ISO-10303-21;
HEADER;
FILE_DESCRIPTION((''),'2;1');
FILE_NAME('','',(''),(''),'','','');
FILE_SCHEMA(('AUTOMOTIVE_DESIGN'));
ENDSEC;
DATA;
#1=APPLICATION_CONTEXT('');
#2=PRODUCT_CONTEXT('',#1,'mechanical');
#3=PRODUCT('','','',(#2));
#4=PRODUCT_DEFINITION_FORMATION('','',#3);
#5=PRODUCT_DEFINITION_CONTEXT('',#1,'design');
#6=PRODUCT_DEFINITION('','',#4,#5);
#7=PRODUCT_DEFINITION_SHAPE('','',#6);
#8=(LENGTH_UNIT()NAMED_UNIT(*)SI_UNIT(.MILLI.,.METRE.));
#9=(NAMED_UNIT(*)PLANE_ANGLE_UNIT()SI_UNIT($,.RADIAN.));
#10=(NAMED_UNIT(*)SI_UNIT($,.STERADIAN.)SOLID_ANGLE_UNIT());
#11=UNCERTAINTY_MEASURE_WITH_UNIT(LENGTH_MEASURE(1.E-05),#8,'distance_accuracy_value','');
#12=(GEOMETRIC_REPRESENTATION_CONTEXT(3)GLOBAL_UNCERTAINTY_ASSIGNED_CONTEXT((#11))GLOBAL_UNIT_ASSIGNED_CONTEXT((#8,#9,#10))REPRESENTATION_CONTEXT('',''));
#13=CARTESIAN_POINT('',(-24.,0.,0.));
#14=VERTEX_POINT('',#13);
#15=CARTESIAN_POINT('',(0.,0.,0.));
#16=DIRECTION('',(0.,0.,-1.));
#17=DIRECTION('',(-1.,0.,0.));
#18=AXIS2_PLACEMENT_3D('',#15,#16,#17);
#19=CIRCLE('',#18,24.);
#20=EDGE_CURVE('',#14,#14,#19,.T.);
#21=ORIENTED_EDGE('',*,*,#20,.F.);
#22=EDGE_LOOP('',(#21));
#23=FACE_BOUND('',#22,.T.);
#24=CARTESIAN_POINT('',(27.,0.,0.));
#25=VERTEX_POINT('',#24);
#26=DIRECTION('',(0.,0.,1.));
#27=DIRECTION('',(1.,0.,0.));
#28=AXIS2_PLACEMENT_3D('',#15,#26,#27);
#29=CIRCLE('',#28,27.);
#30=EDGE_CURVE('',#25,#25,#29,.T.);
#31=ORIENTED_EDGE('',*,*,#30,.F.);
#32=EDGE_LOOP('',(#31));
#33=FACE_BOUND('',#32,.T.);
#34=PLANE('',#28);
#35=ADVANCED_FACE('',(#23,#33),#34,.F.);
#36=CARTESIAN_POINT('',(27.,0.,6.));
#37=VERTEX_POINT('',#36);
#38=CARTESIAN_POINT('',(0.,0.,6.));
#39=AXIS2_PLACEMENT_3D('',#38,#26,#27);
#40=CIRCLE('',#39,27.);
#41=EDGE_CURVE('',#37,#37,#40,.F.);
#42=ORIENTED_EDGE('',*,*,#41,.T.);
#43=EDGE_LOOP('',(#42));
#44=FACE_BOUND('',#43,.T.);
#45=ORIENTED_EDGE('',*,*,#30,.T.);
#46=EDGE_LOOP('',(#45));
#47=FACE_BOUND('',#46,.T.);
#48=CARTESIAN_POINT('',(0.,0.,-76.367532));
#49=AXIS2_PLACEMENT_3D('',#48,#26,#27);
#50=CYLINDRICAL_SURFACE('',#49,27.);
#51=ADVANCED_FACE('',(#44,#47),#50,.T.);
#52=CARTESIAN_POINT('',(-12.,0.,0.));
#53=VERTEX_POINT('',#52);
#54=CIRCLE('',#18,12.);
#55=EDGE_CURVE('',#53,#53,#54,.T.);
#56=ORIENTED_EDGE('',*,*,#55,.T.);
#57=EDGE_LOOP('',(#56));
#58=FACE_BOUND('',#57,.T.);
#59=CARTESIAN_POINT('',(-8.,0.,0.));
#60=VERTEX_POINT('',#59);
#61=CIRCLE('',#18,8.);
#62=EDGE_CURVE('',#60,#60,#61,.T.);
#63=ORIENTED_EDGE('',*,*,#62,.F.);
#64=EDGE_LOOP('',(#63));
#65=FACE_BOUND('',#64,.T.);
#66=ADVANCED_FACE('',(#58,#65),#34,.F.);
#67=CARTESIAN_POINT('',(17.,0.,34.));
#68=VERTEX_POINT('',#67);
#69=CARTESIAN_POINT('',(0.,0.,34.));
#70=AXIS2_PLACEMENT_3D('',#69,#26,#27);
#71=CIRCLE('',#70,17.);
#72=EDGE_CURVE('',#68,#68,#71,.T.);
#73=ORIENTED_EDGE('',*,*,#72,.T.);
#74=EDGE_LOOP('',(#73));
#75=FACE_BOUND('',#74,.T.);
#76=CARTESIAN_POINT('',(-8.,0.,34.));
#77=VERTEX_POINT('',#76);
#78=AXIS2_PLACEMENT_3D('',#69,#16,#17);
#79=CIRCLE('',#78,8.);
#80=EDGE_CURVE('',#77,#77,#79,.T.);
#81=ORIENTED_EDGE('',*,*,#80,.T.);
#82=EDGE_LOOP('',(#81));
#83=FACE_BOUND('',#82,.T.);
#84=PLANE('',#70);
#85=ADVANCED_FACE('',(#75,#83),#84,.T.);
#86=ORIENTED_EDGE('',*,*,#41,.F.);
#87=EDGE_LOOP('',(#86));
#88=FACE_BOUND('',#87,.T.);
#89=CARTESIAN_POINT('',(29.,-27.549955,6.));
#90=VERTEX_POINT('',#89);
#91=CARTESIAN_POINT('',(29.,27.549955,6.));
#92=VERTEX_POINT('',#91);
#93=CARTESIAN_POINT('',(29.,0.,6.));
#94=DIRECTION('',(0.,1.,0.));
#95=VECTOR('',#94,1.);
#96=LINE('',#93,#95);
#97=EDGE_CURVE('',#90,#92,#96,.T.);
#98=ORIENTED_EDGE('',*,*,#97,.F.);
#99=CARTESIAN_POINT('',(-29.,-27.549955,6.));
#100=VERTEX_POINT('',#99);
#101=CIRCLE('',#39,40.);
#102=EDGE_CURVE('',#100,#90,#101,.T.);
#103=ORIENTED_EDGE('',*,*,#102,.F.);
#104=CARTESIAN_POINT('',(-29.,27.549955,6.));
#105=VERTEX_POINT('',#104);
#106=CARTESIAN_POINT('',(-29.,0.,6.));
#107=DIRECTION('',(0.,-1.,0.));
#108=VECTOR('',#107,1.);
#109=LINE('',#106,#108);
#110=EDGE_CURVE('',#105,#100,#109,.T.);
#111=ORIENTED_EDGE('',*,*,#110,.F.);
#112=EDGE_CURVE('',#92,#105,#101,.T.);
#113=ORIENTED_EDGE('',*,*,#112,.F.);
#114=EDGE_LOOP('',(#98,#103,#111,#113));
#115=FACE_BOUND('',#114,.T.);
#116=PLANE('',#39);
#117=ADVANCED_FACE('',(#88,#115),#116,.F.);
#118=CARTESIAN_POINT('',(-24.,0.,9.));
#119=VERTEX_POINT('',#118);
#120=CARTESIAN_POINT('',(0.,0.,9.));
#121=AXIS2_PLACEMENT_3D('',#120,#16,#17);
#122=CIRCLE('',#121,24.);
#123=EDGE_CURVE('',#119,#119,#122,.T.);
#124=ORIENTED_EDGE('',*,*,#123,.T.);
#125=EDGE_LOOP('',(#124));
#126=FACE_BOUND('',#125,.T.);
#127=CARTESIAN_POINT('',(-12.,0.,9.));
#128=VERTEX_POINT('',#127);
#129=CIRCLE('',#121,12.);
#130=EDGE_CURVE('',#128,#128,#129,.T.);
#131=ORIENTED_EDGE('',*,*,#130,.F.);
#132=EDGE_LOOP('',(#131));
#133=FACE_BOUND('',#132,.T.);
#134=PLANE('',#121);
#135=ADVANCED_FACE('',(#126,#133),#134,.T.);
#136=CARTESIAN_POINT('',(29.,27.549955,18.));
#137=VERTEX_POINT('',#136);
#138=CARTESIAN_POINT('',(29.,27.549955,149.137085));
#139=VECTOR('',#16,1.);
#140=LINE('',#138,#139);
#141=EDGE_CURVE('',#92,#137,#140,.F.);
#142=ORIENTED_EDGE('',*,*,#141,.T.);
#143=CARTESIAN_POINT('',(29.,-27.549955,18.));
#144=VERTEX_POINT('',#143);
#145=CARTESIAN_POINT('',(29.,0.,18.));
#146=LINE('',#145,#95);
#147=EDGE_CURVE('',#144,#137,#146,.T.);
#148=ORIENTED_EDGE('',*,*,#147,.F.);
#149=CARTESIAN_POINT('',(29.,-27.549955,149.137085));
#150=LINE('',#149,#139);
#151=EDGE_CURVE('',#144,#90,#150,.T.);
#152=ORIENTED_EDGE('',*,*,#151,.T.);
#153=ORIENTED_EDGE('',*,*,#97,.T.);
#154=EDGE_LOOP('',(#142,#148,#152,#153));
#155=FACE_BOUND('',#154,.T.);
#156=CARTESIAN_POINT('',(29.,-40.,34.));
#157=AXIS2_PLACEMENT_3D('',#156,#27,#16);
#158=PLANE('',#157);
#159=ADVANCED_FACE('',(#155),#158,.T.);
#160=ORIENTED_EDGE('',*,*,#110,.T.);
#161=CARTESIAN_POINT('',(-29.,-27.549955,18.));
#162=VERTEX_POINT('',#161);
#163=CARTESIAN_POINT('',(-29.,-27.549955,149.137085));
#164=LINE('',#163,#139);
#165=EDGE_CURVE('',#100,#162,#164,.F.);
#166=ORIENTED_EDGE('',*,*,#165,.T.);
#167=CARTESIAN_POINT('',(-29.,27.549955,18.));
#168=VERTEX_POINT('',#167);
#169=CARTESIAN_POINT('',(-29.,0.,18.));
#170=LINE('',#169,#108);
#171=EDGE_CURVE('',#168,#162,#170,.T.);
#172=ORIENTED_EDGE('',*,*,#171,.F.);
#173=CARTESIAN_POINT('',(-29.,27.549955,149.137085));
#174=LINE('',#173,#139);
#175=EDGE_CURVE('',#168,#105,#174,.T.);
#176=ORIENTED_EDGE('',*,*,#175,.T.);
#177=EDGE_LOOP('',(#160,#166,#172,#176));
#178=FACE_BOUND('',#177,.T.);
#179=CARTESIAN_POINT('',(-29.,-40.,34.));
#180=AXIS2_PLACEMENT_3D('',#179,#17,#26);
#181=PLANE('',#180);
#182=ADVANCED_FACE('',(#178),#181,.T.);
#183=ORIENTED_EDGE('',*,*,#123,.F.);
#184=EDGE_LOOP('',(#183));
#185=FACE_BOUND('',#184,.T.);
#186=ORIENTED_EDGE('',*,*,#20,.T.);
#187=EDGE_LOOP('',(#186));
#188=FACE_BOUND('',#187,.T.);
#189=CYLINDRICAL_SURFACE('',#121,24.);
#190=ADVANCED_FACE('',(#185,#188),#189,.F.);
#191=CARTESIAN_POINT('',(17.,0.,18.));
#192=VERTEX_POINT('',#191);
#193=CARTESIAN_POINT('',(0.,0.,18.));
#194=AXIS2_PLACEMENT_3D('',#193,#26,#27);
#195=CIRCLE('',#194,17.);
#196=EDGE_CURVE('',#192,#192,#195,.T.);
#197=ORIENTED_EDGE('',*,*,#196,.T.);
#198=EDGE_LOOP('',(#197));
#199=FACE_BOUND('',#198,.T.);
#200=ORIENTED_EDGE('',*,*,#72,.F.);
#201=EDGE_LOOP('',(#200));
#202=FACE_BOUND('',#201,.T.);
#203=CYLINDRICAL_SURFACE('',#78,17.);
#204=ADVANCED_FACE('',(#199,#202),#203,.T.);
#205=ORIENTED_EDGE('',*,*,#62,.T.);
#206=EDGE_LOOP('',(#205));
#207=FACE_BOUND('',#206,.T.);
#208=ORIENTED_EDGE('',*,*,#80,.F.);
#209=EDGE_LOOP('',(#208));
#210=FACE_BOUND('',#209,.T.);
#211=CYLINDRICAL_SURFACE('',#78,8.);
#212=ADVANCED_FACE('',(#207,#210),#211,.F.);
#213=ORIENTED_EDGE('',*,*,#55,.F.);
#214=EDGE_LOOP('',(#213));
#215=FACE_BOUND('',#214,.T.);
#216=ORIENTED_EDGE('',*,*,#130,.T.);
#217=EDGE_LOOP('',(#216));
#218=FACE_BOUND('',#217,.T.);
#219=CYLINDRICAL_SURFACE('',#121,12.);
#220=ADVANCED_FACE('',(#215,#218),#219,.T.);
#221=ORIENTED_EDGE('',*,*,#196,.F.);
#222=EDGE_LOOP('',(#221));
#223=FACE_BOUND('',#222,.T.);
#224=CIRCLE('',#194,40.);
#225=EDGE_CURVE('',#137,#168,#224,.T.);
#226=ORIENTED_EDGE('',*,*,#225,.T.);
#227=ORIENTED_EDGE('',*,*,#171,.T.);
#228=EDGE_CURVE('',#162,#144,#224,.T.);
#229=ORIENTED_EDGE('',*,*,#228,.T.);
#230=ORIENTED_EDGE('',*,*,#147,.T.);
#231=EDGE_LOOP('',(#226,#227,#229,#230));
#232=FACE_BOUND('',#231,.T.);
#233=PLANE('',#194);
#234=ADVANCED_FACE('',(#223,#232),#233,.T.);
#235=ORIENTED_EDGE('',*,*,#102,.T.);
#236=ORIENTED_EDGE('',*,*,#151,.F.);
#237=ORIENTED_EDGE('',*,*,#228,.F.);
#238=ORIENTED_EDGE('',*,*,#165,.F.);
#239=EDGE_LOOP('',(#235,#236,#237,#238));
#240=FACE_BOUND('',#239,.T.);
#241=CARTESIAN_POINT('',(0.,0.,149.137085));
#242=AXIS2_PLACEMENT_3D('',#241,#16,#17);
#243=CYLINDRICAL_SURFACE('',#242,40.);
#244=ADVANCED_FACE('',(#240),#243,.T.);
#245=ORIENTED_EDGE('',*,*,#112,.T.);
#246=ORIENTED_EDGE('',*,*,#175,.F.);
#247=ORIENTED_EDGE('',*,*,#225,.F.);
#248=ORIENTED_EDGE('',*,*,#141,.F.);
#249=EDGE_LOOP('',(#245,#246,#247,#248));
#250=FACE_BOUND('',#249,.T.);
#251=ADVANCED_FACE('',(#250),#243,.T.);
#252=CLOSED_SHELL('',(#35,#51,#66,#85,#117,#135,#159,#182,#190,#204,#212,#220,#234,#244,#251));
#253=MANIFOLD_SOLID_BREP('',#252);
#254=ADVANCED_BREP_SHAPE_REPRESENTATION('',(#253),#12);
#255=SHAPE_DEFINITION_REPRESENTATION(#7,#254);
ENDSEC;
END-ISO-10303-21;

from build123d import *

# Parameters (mm, degrees)
SKETCH_1_R           = 17
EXTRUDE_1_DEPTH      = 34
EXTRUDE_START        = 6
SKETCH_2_R           = 40
EXTRUDE_2_DEPTH      = 12
SKETCH_3_R           = 27
EXTRUDE_3_DEPTH      = 6
SKETCH_4_R           = 24
SKETCH_4_R_2         = 12
CUT_EXTRUDE_1_DEPTH  = 9
SKETCH_5_OUTSIDE_W   = 105.628
SKETCH_5_OUTSIDE_H   = 105.628
SKETCH_5_OUTSIDE_W_2 = 58
SKETCH_5_OUTSIDE_H_2 = 80
SKETCH_5_OUTSIDE_R   = 8
CUT_EXTRUDE_2_DEPTH  = 35


with BuildPart() as part:
    # 草圖1 → 填料-伸長1 (new body)
    with BuildSketch(Plane.XY):
        Circle(SKETCH_1_R)
    extrude(amount=EXTRUDE_1_DEPTH)

    # 草圖2 → 填料-伸長2 (add)
    with BuildSketch(Plane.XY.offset(EXTRUDE_START)):
        Circle(SKETCH_2_R)
    extrude(amount=EXTRUDE_2_DEPTH)

    # 草圖3 → 填料-伸長3 (add)
    with BuildSketch(Plane(origin=(0, 0, 6), x_dir=(-1, 0, 0), z_dir=(0, 0, -1))):
        Circle(SKETCH_3_R)
    extrude(amount=EXTRUDE_3_DEPTH)

    # 草圖4 → 除料-伸長1 (cut)
    with BuildSketch(Plane(origin=(0, 0, 0), x_dir=(-1, 0, 0), z_dir=(0, 0, -1))):
        Circle(SKETCH_4_R)
        Circle(SKETCH_4_R_2, mode=Mode.SUBTRACT)
    extrude(amount=-CUT_EXTRUDE_1_DEPTH, mode=Mode.SUBTRACT)

    # 草圖5 outside → 除料-伸長2 (cut, through all)
    with BuildSketch(Plane(origin=(0, 0, 0), x_dir=(-1, 0, 0), z_dir=(0, 0, -1))):
        Rectangle(SKETCH_5_OUTSIDE_W, SKETCH_5_OUTSIDE_H)
        Rectangle(SKETCH_5_OUTSIDE_W_2, SKETCH_5_OUTSIDE_H_2, mode=Mode.SUBTRACT)
        Circle(SKETCH_5_OUTSIDE_R)
    extrude(amount=-CUT_EXTRUDE_2_DEPTH, mode=Mode.SUBTRACT)


solid = part.part
